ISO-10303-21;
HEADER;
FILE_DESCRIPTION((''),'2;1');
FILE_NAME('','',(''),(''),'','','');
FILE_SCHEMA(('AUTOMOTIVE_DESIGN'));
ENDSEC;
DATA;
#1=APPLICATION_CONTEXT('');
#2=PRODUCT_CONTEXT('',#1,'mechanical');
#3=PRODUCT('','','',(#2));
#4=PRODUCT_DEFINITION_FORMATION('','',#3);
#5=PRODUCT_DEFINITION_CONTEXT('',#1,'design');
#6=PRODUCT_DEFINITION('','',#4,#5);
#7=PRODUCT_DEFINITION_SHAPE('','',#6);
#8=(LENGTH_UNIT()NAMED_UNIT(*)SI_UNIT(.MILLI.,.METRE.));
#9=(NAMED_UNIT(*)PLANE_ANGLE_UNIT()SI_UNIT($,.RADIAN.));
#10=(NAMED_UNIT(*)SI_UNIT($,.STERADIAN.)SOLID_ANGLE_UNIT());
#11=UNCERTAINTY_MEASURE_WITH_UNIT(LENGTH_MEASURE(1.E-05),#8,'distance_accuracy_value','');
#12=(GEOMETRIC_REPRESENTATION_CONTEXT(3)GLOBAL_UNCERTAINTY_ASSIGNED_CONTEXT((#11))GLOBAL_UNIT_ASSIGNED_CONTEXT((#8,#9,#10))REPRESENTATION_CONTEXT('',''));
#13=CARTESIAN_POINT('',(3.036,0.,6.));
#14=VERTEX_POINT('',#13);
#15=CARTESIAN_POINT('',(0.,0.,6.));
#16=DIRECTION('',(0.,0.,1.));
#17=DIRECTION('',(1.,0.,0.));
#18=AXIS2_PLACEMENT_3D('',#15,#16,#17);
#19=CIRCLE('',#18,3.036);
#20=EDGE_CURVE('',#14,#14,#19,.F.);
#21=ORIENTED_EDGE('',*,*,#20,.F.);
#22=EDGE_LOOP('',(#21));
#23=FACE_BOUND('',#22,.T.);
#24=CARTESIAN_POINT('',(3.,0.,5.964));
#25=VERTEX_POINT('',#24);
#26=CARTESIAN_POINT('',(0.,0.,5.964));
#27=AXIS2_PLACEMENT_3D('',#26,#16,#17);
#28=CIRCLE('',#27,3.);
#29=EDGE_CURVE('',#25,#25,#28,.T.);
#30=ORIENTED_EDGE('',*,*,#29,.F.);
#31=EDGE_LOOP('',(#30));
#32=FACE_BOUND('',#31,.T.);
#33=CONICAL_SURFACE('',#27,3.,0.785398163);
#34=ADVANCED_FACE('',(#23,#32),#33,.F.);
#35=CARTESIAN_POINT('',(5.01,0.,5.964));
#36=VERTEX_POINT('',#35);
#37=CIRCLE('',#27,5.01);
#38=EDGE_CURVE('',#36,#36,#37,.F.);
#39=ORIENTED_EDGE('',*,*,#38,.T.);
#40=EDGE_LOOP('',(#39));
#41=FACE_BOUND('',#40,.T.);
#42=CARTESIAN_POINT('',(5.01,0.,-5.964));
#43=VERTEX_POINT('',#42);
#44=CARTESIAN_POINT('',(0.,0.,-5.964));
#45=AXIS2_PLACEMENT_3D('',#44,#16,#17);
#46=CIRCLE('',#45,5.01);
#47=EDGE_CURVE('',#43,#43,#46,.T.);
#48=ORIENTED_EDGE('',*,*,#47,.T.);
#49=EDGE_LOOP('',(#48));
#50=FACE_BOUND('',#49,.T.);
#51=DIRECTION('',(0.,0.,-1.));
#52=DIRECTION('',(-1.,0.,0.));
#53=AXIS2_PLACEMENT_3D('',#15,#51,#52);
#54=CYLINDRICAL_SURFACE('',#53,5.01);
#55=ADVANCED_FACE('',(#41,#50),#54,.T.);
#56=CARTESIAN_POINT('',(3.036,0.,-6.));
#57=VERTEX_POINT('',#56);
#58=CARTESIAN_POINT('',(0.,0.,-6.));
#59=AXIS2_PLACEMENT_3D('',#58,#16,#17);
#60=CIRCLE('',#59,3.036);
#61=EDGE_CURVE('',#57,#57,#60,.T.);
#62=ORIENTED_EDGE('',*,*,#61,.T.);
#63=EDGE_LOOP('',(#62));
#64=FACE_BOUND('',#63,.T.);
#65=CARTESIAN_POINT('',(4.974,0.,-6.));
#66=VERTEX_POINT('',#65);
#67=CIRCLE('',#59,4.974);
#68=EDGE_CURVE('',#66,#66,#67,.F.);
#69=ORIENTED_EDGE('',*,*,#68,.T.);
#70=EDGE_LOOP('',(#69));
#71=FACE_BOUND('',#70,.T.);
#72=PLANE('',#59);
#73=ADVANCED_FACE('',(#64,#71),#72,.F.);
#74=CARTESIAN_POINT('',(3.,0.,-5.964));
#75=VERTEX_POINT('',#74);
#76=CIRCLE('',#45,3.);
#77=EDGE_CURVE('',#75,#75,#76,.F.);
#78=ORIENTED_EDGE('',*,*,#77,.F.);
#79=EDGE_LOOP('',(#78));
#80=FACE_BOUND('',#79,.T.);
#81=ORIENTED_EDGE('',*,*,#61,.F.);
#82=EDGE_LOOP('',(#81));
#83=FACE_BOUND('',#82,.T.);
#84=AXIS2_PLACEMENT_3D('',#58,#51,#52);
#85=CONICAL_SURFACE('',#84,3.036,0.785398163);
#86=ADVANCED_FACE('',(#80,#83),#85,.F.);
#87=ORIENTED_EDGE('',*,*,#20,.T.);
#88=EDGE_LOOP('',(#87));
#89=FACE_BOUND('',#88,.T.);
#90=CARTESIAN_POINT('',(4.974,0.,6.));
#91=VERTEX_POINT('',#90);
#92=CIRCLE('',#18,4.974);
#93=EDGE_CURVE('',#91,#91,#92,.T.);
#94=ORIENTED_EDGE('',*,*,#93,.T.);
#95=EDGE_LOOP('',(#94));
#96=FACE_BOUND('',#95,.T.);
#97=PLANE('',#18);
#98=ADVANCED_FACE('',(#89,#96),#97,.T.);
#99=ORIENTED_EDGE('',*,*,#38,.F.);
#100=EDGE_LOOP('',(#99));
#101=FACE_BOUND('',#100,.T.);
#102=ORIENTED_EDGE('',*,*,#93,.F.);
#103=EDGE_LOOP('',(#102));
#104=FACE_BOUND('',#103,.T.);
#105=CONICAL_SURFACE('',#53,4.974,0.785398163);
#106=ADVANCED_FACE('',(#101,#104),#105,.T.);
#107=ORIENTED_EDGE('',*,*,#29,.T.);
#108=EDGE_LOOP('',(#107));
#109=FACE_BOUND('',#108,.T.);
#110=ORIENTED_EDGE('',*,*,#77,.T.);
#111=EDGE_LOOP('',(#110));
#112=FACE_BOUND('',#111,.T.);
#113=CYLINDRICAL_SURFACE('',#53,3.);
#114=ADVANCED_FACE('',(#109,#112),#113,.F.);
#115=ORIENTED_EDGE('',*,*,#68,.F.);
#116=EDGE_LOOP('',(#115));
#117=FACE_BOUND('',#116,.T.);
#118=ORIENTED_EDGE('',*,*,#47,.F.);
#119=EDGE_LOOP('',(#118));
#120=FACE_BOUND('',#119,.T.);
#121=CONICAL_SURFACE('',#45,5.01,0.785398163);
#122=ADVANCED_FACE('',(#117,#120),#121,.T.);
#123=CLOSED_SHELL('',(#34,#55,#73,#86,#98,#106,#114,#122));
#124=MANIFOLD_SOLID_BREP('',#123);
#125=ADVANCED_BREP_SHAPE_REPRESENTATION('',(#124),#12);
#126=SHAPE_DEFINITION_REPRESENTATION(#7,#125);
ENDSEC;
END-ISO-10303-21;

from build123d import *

# Parameters (mm, degrees)
SKETCH5_R                = 5.01
SKETCH5_R_2              = 3
BOSS_EXTRUDE1_DEPTH      = 6
BOSS_EXTRUDE1_DEPTH_BACK = 6
CHAMFER1_SIZE            = 0.036


with BuildPart() as part:
    # Sketch5 → Boss-Extrude1 (new body, two sides)
    with BuildSketch(Plane.XY) as boss_extrude1_sk:
        Circle(SKETCH5_R)
        Circle(SKETCH5_R_2, mode=Mode.SUBTRACT)
    extrude(amount=BOSS_EXTRUDE1_DEPTH)
    extrude(boss_extrude1_sk.sketch, amount=-BOSS_EXTRUDE1_DEPTH_BACK)

    # Chamfer1
    chamfer1_edges = [part.edges().sort_by_distance(p)[0] for p in [
        (-5.01, 0, 6),
        (-3, 0, 6),
        (-5.01, 0, -6),
        (-3, 0, -6),
    ]]
    chamfer(chamfer1_edges, length=CHAMFER1_SIZE)


solid = part.part
